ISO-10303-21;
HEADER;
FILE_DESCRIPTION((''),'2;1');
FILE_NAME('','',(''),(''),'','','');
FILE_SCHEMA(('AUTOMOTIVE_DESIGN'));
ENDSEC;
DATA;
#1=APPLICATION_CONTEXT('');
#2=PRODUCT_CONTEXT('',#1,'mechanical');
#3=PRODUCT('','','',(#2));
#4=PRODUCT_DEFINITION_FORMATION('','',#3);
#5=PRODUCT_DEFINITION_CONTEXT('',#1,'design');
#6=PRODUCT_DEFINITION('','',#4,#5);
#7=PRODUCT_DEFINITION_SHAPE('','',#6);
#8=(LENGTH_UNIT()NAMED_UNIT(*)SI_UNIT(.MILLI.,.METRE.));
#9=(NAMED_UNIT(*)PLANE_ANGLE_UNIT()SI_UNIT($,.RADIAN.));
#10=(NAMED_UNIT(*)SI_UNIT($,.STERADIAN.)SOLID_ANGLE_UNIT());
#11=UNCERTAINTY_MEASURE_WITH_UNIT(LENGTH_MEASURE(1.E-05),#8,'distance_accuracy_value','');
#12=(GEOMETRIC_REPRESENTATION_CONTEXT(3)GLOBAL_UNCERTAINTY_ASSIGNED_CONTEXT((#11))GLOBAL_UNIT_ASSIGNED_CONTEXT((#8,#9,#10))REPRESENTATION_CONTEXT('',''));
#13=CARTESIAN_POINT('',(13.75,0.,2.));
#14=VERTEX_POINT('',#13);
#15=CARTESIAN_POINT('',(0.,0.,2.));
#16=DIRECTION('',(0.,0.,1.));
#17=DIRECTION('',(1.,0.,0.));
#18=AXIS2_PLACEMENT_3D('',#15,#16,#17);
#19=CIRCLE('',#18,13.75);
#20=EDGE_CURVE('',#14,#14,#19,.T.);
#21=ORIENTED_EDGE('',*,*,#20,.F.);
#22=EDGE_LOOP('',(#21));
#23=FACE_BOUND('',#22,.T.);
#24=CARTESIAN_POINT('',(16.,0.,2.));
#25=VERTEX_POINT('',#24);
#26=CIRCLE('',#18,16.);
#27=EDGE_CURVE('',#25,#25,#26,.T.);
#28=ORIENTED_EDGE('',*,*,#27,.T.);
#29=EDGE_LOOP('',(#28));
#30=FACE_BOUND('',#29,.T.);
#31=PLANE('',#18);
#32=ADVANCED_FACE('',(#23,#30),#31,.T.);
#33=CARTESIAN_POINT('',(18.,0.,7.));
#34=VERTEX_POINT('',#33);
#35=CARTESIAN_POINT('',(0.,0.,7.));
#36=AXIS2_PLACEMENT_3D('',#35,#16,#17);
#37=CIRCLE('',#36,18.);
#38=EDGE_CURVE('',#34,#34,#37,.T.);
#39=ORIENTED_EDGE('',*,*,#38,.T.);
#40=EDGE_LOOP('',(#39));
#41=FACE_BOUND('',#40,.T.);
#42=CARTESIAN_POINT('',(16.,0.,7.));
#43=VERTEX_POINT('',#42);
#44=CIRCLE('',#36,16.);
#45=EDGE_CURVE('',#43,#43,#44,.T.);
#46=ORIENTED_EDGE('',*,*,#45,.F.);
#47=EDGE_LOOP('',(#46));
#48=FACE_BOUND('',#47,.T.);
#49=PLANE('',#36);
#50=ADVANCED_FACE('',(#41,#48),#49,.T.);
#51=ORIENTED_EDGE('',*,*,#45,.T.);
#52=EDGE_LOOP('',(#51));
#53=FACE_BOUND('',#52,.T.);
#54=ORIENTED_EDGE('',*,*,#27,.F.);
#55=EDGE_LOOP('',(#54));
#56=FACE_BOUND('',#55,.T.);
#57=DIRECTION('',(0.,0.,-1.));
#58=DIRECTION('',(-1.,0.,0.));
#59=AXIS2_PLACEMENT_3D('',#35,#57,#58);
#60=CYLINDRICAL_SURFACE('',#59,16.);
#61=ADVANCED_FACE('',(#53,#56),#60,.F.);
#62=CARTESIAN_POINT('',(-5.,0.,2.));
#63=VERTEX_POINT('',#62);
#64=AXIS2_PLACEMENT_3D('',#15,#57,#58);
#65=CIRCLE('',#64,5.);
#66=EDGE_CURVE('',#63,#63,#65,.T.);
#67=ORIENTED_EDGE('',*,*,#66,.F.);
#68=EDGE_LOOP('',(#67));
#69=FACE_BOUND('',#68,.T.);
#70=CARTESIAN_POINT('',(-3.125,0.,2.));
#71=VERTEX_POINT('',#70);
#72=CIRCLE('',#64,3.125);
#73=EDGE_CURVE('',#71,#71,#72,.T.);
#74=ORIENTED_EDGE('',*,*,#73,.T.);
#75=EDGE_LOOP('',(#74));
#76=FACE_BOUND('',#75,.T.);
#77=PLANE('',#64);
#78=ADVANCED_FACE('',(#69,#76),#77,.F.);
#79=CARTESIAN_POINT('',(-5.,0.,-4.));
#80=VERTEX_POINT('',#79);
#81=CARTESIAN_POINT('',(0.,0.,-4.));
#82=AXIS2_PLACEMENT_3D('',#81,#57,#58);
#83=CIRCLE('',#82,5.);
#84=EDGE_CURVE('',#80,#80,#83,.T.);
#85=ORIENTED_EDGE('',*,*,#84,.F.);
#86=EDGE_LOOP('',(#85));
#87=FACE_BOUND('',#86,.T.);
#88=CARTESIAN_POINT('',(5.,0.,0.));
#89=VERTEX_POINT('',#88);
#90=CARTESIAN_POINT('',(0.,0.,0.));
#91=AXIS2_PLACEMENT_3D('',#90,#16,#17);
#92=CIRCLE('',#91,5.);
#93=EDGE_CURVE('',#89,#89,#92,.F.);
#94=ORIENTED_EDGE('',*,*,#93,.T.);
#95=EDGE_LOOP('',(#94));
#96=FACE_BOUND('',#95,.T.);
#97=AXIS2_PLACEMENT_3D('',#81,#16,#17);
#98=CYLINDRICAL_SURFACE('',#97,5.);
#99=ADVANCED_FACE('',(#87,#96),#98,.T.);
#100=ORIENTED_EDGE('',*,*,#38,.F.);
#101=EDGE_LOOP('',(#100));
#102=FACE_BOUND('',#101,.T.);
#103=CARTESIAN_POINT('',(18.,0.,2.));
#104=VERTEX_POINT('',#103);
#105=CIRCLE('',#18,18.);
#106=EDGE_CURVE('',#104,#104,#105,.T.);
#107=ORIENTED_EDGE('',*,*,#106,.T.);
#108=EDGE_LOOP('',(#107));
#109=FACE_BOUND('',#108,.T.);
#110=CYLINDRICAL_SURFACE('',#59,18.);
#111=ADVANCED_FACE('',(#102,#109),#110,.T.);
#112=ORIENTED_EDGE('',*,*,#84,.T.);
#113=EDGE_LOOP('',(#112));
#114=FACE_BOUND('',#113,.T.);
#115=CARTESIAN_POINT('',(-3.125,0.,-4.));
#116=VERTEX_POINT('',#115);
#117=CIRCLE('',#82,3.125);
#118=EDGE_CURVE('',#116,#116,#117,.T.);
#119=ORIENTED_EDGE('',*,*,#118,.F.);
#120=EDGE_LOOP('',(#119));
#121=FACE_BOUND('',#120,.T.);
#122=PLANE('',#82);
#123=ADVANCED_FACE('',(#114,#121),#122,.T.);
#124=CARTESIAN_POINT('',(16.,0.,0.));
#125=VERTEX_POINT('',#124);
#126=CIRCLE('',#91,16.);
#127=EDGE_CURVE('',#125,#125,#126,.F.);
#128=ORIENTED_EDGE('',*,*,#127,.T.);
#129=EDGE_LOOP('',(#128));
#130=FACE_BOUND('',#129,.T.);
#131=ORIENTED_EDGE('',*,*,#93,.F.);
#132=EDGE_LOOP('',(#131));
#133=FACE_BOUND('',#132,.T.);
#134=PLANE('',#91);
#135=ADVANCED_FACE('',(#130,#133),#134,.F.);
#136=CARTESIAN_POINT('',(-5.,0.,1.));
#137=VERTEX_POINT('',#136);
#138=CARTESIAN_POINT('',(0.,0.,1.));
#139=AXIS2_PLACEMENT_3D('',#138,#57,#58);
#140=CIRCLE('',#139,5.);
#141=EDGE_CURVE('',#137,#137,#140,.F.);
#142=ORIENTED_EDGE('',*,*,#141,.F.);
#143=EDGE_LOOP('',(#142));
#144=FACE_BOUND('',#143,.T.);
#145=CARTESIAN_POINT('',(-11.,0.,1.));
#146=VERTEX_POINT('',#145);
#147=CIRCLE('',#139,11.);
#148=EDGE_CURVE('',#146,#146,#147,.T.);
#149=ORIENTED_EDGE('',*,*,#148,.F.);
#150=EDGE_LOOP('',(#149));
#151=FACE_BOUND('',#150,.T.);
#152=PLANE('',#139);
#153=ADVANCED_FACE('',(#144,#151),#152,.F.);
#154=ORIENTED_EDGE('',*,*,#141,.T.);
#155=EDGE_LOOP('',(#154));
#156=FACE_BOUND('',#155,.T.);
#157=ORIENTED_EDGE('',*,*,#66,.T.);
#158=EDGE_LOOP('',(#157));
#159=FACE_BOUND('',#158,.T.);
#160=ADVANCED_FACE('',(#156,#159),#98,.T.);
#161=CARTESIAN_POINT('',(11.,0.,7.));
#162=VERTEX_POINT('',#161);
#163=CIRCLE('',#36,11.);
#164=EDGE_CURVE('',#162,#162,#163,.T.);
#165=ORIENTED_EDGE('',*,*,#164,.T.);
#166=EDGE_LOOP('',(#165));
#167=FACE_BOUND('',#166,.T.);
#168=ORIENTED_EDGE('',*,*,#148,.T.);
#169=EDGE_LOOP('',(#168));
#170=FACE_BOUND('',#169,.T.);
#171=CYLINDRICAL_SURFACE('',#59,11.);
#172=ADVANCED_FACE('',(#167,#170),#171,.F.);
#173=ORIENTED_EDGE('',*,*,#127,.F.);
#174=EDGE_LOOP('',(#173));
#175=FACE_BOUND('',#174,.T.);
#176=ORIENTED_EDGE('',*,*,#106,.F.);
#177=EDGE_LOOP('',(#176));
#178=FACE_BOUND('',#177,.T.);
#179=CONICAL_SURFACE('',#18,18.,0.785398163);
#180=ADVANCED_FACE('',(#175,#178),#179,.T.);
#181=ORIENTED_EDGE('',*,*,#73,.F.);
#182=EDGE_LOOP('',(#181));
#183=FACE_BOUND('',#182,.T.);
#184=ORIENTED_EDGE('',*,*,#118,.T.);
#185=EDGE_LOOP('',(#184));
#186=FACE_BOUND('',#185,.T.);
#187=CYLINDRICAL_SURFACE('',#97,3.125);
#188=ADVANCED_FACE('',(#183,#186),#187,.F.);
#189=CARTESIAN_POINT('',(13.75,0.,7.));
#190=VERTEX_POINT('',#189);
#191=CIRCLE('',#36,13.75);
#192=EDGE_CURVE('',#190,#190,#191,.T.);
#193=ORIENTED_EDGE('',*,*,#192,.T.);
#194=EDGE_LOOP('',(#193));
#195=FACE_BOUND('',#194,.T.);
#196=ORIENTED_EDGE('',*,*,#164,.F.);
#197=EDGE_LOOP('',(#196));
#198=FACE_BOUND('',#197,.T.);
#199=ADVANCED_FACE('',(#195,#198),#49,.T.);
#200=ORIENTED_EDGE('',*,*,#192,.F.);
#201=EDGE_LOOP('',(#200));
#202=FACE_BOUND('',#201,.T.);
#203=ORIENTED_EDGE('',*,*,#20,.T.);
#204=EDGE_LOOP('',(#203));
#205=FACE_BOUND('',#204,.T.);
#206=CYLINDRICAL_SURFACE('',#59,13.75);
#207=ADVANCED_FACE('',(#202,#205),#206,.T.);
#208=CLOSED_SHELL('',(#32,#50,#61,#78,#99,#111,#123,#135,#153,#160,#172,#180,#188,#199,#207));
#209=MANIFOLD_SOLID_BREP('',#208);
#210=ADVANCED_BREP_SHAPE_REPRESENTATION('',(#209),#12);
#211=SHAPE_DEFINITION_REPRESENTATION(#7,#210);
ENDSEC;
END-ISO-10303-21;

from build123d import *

# Parameters (mm, degrees)
ESQUISSE1_R             = 13.75
ESQUISSE1_R_2           = 11
BOSS_EXTRU_1_DEPTH      = 7
ESQUISSE1_R_3           = 18
ESQUISSE1_R_4           = 16
BOSS_EXTRU_1_2_DEPTH    = 7
ESQUISSE1_3_R           = 16
ESQUISSE1_3_R_2         = 13.75
BOSS_EXTRU_2_DEPTH      = 2
CHANFREIN1_SIZE         = 2
BOSS_EXTRU_3_DEPTH      = 4
BOSS_EXTRU_3_DEPTH_BACK = 2
ESQUISSE3_R             = 5
ESQUISSE3_R_2           = 3.125
ESQUISSE4_R             = 11
ESQUISSE4_R_2           = 3.834531167
BOSS_EXTRU_4_DEPTH      = 1


with BuildPart() as part:
    # Esquisse1 → Boss.-Extru.1 (new body)
    with BuildSketch(Plane.XY):
        Circle(ESQUISSE1_R)
        Circle(ESQUISSE1_R_2, mode=Mode.SUBTRACT)
    extrude(amount=BOSS_EXTRU_1_DEPTH)



with BuildPart() as body_2:
    # Esquisse1 → Boss.-Extru.1 2 (new body)
    with BuildSketch(Plane.XY):
        Circle(ESQUISSE1_R_3)
        Circle(ESQUISSE1_R_4, mode=Mode.SUBTRACT)
    extrude(amount=BOSS_EXTRU_1_2_DEPTH)


with BuildPart() as part_1:
    add(part.part)

    add(body_2.part)  # Boss.-Extru.2 merges body 2
    # Esquisse1<3> → Boss.-Extru.2 (add)
    with BuildSketch(Plane.XY):
        Circle(ESQUISSE1_3_R)
        Circle(ESQUISSE1_3_R_2, mode=Mode.SUBTRACT)
    extrude(amount=BOSS_EXTRU_2_DEPTH)

    # Chanfrein1
    chanfrein1_edges = [part_1.edges().sort_by_distance(p)[0] for p in [
        (-18, 0, 0),
    ]]
    chamfer(chanfrein1_edges, length=CHANFREIN1_SIZE)



with BuildPart() as body_2_2:
    # Esquisse3 → Boss.-Extru.3 (new, two sides: drawn at the far end of the back side and taken through both)
    with BuildSketch(Plane(origin=(0, 0, 0), x_dir=(-1, 0, 0), z_dir=(0, 0, -1)).offset(-BOSS_EXTRU_3_DEPTH_BACK)):
        Circle(ESQUISSE3_R)
        Circle(ESQUISSE3_R_2, mode=Mode.SUBTRACT)
    extrude(amount=BOSS_EXTRU_3_DEPTH + BOSS_EXTRU_3_DEPTH_BACK)


with BuildPart() as part_2:
    add(part_1.part)

    add(body_2_2.part)  # Boss.-Extru.4 merges body 2 2
    # Esquisse4 → Boss.-Extru.4 (add)
    with BuildSketch(Plane(origin=(0, 0, 0), x_dir=(-1, 0, 0), z_dir=(0, 0, -1))):
        Circle(ESQUISSE4_R)
        Circle(ESQUISSE4_R_2, mode=Mode.SUBTRACT)
    extrude(amount=-BOSS_EXTRU_4_DEPTH)


solid = part_2.part
